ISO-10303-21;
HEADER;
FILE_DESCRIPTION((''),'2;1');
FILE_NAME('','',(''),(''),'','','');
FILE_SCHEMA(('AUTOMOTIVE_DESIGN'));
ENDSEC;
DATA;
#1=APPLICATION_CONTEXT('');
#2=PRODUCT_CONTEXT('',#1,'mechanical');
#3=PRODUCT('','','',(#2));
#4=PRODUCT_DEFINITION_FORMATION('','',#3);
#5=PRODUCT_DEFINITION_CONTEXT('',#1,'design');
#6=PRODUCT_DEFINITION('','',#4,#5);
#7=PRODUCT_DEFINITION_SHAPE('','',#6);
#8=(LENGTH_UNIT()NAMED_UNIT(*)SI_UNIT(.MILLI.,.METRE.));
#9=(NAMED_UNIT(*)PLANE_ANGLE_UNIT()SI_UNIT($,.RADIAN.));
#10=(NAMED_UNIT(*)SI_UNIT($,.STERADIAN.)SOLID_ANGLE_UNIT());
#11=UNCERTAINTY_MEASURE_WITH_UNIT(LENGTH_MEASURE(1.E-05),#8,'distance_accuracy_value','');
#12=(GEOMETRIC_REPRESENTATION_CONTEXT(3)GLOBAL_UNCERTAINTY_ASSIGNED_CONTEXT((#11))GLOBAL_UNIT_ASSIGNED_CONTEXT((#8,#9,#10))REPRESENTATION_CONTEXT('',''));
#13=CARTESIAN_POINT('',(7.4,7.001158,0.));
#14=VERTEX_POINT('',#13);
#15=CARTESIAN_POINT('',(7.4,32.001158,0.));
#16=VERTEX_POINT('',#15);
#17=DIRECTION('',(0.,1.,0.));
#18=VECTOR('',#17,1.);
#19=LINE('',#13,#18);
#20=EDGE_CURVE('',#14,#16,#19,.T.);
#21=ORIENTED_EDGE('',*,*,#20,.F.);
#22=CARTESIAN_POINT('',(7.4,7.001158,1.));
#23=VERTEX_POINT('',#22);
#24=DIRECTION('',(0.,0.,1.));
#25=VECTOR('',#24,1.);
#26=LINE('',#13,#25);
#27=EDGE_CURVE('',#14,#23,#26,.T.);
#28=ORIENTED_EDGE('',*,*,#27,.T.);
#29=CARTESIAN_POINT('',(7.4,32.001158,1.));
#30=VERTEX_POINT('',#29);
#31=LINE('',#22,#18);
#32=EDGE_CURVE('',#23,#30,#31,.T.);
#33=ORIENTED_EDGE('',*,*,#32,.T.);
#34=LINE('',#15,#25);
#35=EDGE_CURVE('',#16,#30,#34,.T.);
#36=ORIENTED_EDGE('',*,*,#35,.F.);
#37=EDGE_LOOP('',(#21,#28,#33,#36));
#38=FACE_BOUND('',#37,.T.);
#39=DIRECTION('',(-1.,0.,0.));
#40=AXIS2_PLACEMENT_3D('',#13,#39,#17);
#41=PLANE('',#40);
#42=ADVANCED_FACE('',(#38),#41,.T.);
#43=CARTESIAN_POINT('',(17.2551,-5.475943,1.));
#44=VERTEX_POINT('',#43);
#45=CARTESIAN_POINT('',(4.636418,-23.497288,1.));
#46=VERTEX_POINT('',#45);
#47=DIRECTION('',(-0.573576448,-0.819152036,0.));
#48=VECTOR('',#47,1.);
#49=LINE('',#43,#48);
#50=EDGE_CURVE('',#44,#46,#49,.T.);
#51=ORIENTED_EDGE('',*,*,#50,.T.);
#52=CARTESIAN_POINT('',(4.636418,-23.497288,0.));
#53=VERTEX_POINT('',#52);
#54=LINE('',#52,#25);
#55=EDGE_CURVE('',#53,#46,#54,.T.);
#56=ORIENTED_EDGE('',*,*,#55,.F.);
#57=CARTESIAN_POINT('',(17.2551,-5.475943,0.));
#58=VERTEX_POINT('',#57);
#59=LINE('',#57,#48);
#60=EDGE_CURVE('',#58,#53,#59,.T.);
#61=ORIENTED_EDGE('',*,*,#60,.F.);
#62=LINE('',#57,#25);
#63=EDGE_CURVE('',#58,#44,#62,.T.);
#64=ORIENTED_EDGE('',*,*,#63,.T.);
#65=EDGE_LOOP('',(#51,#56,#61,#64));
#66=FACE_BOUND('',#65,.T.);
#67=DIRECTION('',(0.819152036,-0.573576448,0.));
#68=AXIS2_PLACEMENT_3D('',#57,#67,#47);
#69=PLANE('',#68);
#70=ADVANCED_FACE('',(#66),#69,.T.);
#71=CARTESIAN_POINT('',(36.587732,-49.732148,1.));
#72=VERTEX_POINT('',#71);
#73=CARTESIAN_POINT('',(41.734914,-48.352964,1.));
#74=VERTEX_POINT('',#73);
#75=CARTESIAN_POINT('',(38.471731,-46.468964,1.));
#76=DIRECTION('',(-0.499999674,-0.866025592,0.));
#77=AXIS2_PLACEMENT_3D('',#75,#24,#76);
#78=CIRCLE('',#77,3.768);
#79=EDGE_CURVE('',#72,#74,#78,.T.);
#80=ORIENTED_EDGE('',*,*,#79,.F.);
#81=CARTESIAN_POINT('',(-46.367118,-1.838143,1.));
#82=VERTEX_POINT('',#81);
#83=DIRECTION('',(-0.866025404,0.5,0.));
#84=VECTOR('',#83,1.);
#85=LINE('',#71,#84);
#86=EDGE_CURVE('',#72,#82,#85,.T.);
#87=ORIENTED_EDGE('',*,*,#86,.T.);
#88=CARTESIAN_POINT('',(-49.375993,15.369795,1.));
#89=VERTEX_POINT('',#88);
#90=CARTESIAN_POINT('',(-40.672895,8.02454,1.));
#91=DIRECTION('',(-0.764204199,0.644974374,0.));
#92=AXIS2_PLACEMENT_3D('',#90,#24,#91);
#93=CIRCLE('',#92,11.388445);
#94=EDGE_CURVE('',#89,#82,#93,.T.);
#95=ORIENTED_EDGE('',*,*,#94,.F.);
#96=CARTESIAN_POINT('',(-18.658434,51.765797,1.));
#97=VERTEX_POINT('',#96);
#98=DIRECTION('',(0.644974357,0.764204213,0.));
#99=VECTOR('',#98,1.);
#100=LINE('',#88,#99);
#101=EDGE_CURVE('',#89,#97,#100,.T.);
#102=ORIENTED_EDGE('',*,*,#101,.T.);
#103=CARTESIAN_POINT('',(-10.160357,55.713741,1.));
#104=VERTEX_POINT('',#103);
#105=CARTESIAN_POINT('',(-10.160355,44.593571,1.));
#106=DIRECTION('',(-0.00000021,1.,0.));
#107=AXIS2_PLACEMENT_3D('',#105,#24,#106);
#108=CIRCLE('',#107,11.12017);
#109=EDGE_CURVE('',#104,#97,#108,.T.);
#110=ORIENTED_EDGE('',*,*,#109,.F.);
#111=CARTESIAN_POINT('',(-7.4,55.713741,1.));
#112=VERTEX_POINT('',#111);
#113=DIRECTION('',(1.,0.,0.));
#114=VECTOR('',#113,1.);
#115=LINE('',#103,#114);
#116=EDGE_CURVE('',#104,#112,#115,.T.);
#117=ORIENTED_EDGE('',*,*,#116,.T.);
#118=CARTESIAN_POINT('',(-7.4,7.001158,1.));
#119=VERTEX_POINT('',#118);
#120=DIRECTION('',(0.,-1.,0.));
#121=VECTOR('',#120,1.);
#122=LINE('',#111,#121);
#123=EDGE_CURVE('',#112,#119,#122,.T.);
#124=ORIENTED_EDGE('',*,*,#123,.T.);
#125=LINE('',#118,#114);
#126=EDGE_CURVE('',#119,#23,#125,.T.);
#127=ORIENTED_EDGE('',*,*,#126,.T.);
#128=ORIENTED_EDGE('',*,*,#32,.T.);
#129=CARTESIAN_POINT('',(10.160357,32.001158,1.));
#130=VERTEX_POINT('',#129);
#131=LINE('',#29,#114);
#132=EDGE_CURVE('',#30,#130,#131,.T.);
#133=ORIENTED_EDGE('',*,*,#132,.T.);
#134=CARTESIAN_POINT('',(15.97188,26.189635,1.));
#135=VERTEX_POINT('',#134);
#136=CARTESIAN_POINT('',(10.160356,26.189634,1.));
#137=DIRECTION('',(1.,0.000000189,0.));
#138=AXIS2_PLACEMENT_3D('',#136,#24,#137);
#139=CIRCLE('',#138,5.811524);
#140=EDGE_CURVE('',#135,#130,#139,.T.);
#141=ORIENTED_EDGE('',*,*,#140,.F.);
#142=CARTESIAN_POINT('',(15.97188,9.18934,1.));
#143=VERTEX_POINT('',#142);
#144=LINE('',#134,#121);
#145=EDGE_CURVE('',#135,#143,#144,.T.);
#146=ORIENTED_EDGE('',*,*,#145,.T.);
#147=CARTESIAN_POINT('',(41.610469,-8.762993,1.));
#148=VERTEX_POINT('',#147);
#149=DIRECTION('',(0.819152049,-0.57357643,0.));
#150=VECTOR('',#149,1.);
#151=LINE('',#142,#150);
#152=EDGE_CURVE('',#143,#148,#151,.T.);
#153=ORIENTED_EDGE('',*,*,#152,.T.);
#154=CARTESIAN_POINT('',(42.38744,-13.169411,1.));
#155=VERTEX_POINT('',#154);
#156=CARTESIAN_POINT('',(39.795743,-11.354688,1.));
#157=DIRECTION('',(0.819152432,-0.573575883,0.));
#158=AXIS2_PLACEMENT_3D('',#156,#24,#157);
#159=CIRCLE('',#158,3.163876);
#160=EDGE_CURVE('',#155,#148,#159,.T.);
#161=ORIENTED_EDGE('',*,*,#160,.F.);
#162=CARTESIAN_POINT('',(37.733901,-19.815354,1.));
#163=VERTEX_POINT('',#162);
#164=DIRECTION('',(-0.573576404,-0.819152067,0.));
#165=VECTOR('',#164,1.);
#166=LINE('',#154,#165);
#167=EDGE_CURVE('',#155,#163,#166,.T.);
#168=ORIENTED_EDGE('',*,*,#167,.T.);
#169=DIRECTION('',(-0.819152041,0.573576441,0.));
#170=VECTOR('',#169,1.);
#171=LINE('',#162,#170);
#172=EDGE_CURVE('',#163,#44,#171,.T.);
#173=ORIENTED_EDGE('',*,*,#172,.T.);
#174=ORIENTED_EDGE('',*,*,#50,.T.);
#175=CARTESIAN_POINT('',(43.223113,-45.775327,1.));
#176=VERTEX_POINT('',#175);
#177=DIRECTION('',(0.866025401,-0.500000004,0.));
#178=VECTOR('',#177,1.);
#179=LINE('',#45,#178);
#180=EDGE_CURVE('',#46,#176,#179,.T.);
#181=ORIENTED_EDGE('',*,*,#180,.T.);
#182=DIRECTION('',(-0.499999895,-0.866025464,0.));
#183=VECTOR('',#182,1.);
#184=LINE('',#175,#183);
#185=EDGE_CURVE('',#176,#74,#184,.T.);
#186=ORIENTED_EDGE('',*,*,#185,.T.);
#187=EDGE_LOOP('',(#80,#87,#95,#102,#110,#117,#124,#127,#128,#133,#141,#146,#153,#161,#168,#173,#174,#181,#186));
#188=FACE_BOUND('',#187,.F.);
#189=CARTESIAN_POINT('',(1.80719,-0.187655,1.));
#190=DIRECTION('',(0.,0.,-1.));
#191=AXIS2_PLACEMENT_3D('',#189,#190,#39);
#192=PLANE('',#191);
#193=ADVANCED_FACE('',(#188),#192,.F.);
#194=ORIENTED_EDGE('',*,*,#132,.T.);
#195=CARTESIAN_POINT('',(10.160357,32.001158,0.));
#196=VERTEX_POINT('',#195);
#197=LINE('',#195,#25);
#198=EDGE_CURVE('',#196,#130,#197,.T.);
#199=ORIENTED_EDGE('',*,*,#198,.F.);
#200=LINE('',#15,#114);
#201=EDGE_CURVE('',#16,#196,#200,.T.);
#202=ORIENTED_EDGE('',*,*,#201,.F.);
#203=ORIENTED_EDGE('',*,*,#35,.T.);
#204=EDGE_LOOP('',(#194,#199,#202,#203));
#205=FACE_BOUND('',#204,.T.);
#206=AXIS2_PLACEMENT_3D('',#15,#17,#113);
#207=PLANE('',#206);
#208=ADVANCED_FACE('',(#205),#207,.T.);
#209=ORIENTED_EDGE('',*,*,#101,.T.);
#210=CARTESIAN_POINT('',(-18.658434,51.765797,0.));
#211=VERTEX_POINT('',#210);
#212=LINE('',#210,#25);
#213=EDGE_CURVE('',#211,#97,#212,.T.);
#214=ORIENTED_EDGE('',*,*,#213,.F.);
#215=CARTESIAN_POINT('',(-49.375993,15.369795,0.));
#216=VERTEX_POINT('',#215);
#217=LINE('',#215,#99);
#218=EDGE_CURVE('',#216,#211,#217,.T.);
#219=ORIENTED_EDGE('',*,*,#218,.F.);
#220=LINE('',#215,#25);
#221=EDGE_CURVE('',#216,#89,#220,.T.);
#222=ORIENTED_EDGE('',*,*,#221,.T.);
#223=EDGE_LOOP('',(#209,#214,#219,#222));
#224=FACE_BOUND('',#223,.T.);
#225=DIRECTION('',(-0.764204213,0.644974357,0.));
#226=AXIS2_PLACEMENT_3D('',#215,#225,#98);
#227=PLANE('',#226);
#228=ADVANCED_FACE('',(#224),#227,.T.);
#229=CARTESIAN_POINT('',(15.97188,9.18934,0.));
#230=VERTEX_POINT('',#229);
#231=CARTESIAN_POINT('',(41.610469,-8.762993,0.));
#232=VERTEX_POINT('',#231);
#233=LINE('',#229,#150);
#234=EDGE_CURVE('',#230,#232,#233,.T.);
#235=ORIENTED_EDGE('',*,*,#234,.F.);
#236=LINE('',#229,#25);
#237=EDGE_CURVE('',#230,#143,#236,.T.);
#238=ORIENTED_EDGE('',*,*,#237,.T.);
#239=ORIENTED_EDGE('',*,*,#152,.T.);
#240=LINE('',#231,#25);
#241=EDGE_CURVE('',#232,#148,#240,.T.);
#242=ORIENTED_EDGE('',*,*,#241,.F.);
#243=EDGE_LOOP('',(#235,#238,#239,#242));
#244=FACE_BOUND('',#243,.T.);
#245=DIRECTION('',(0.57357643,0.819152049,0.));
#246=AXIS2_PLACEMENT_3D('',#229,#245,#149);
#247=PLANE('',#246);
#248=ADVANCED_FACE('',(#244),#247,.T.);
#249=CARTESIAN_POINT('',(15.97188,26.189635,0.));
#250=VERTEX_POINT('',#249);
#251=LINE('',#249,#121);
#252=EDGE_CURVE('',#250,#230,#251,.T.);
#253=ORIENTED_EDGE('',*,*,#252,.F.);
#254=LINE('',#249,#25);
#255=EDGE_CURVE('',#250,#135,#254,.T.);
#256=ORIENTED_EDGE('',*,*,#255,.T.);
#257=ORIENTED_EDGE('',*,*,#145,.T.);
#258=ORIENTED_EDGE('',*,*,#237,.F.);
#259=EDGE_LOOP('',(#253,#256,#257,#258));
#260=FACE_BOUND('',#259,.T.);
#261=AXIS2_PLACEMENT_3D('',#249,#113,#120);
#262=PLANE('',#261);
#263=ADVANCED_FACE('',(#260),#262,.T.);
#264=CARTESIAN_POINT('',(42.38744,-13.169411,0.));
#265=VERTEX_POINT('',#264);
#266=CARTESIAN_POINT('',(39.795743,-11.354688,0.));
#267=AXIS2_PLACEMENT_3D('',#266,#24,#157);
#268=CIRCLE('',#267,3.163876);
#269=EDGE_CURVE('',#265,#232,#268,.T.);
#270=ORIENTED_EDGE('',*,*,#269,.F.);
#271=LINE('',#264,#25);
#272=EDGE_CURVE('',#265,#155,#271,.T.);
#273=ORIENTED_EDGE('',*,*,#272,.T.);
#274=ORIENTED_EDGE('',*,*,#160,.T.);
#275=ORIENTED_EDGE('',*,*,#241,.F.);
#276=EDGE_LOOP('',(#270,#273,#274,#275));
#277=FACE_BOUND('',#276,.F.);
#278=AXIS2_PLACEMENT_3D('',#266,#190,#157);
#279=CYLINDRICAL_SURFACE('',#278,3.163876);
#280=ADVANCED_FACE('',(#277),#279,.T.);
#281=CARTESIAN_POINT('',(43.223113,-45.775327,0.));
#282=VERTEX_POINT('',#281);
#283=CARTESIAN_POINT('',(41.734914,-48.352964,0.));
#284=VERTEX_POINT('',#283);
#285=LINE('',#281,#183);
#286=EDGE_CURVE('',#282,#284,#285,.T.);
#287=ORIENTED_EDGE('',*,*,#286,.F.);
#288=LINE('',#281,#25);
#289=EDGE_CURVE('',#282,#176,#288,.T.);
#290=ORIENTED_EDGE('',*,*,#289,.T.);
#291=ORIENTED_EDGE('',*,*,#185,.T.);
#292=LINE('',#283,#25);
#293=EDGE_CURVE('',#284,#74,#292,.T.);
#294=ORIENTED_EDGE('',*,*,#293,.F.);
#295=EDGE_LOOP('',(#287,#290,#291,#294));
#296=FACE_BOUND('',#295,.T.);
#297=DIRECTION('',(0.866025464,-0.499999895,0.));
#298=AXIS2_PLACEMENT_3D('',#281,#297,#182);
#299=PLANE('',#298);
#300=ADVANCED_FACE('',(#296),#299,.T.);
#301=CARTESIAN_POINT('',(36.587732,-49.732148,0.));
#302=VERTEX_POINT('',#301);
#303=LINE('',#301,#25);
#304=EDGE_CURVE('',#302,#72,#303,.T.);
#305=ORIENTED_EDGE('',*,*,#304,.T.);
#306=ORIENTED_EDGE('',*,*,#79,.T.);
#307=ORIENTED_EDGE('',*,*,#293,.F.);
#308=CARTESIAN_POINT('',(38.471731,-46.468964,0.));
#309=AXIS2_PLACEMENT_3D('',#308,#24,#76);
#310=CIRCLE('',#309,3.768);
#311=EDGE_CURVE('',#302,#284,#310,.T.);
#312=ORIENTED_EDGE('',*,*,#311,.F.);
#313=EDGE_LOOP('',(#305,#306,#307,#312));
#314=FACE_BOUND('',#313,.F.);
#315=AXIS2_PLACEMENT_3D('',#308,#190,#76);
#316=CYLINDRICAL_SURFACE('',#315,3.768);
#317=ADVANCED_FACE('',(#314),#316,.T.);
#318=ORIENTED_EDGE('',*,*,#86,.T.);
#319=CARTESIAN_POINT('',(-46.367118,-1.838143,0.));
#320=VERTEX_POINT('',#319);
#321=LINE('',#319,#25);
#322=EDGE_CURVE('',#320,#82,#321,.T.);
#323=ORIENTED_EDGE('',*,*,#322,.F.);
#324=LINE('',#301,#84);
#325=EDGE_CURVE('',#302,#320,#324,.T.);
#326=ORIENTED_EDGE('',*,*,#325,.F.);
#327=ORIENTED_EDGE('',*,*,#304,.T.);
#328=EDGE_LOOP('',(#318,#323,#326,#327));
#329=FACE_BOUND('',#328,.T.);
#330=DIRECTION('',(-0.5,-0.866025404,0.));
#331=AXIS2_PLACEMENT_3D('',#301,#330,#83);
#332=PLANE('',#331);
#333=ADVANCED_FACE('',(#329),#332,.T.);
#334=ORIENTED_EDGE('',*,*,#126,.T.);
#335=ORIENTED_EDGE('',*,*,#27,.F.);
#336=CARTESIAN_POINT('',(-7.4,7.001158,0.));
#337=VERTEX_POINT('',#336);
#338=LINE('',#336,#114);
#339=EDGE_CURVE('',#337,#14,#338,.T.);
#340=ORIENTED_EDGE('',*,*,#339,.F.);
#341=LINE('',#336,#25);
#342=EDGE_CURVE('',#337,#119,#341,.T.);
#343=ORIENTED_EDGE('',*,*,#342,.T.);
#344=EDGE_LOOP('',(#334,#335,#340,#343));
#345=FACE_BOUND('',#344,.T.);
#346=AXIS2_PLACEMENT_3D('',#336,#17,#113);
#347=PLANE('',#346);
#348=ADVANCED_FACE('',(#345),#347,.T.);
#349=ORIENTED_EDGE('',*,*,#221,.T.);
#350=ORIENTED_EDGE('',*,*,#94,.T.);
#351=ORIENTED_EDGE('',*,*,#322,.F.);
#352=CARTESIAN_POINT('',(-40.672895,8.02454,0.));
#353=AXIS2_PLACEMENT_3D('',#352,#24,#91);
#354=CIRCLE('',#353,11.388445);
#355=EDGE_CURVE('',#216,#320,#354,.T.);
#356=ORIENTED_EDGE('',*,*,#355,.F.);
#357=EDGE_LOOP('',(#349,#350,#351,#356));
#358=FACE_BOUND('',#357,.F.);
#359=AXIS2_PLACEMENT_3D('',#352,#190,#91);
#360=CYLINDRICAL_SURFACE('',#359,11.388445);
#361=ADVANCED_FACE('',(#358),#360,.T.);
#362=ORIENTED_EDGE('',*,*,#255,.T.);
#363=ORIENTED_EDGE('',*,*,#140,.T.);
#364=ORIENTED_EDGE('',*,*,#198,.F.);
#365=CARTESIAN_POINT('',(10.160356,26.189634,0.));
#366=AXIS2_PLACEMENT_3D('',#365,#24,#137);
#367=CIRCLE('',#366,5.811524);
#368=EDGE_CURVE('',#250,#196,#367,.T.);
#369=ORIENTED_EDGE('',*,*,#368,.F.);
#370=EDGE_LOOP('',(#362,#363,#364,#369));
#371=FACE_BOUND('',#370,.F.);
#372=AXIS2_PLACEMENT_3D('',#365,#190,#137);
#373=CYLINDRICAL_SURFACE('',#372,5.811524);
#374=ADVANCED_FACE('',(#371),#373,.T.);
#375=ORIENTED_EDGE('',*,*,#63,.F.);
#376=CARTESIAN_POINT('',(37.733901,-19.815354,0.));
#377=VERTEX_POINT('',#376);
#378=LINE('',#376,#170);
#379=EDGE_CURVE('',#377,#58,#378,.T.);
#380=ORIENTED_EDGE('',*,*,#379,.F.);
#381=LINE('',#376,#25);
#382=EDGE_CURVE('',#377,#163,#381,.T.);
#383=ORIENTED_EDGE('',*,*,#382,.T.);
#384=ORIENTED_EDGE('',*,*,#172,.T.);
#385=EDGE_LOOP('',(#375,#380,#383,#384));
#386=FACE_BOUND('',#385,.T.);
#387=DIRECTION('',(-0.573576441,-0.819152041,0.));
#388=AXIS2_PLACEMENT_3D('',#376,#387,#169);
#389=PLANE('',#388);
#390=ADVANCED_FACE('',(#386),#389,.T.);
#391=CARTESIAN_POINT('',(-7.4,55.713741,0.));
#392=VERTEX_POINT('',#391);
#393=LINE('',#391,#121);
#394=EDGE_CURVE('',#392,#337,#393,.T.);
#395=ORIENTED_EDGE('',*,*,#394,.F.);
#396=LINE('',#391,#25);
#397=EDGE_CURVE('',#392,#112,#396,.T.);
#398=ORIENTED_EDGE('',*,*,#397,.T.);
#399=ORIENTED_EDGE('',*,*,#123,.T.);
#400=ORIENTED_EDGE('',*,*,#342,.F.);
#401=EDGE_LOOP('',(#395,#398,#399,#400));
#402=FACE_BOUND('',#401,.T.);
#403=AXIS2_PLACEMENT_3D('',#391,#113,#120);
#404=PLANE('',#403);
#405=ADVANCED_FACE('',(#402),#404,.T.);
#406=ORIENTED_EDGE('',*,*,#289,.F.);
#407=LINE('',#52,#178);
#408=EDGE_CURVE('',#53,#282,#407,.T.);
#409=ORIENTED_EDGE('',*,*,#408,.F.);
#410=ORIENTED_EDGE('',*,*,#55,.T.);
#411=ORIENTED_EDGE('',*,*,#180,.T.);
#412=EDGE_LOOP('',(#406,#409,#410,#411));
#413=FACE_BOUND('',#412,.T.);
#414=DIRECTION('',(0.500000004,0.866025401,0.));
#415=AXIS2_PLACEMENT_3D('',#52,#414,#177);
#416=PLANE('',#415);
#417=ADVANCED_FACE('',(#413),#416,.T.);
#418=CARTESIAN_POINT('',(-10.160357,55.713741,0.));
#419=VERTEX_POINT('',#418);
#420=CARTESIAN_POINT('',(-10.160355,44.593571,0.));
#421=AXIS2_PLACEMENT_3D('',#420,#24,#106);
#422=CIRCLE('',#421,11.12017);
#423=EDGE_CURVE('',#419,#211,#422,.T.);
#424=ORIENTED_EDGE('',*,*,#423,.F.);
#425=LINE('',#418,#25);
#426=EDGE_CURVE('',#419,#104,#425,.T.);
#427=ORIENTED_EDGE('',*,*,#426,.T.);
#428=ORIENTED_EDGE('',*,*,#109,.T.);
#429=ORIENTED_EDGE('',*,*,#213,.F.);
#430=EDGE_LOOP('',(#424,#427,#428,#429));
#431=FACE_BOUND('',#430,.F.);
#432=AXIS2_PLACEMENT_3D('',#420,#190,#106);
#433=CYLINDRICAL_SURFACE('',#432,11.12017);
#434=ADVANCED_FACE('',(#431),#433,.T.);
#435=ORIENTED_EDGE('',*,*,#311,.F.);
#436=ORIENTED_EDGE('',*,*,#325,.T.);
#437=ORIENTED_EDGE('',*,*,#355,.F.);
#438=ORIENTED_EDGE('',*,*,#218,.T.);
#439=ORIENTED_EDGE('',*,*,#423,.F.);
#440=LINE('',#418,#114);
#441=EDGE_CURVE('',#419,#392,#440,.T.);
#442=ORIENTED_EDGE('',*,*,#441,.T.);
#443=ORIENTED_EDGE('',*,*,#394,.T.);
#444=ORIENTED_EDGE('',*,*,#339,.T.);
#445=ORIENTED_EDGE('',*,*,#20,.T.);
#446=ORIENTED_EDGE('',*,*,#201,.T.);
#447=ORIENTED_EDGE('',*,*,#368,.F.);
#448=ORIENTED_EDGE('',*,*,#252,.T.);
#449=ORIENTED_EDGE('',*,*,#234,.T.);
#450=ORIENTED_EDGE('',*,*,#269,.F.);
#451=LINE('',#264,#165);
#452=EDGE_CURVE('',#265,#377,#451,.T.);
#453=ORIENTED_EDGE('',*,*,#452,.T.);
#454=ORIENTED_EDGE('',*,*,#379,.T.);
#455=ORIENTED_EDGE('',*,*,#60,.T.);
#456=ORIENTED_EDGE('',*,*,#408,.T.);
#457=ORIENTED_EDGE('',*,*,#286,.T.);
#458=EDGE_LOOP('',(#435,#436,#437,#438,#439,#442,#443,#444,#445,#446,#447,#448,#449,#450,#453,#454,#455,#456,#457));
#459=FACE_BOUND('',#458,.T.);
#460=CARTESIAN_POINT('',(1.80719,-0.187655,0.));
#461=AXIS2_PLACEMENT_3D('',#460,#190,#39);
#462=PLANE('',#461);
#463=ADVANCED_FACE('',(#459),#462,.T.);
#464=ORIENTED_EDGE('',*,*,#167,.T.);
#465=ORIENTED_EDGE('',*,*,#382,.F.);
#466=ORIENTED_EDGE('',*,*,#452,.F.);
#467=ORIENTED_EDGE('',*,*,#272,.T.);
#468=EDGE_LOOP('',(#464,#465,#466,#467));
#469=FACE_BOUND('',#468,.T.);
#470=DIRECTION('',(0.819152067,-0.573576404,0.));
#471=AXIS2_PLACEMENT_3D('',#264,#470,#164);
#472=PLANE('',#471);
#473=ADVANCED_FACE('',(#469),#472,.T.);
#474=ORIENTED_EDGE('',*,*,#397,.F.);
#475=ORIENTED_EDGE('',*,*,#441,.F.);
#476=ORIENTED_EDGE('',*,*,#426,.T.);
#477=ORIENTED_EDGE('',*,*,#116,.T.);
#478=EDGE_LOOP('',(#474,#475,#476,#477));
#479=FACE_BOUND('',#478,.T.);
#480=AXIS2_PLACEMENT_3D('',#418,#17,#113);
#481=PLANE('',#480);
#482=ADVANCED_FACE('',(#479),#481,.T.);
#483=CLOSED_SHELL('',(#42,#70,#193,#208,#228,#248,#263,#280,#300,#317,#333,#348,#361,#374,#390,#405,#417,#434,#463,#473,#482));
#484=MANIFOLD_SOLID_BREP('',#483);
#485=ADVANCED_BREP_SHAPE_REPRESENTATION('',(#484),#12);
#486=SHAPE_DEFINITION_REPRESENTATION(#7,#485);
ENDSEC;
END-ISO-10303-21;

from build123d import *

# Parameters (mm, degrees)
PAD_DEPTH = 1


with BuildPart() as part:
    # Sketch → Pad (new body)
    with BuildSketch(Plane.XY):
        with BuildLine():
            Line((-10.160357, 55.713741), (-7.4, 55.713741))
            Line((-7.4, 55.713741), (-7.4, 7.001158))
            Line((-7.4, 7.001158), (7.4, 7.001158))
            Line((7.4, 7.001158), (7.4, 32.001158))
            Line((7.4, 32.001158), (10.160357, 32.001158))
            ThreePointArc((15.97188, 26.189635), (14.269724, 30.299002), (10.160357, 32.001158))
            Line((15.97188, 26.189635), (15.97188, 9.18934))
            Line((15.97188, 9.18934), (41.610469, -8.762993))
            ThreePointArc((42.38744, -13.169411), (42.911553, -10.805287), (41.610469, -8.762993))
            Line((42.38744, -13.169411), (37.733901, -19.815354))
            Line((37.733901, -19.815354), (17.2551, -5.475943))
            Line((17.2551, -5.475943), (4.636418, -23.497288))
            Line((4.636418, -23.497288), (43.223113, -45.775327))
            Line((43.223113, -45.775327), (41.734914, -48.352964))
            ThreePointArc((36.587732, -49.732148), (39.446961, -50.108572), (41.734914, -48.352964))
            Line((36.587732, -49.732148), (-46.367118, -1.838143))
            ThreePointArc((-49.375993, 15.369795), (-51.891139, 6.062986), (-46.367118, -1.838143))
            Line((-49.375993, 15.369795), (-18.658434, 51.765797))
            ThreePointArc((-10.160357, 55.713741), (-14.845535, 54.678573), (-18.658434, 51.765797))
        make_face()
    extrude(amount=PAD_DEPTH)


solid = part.part
